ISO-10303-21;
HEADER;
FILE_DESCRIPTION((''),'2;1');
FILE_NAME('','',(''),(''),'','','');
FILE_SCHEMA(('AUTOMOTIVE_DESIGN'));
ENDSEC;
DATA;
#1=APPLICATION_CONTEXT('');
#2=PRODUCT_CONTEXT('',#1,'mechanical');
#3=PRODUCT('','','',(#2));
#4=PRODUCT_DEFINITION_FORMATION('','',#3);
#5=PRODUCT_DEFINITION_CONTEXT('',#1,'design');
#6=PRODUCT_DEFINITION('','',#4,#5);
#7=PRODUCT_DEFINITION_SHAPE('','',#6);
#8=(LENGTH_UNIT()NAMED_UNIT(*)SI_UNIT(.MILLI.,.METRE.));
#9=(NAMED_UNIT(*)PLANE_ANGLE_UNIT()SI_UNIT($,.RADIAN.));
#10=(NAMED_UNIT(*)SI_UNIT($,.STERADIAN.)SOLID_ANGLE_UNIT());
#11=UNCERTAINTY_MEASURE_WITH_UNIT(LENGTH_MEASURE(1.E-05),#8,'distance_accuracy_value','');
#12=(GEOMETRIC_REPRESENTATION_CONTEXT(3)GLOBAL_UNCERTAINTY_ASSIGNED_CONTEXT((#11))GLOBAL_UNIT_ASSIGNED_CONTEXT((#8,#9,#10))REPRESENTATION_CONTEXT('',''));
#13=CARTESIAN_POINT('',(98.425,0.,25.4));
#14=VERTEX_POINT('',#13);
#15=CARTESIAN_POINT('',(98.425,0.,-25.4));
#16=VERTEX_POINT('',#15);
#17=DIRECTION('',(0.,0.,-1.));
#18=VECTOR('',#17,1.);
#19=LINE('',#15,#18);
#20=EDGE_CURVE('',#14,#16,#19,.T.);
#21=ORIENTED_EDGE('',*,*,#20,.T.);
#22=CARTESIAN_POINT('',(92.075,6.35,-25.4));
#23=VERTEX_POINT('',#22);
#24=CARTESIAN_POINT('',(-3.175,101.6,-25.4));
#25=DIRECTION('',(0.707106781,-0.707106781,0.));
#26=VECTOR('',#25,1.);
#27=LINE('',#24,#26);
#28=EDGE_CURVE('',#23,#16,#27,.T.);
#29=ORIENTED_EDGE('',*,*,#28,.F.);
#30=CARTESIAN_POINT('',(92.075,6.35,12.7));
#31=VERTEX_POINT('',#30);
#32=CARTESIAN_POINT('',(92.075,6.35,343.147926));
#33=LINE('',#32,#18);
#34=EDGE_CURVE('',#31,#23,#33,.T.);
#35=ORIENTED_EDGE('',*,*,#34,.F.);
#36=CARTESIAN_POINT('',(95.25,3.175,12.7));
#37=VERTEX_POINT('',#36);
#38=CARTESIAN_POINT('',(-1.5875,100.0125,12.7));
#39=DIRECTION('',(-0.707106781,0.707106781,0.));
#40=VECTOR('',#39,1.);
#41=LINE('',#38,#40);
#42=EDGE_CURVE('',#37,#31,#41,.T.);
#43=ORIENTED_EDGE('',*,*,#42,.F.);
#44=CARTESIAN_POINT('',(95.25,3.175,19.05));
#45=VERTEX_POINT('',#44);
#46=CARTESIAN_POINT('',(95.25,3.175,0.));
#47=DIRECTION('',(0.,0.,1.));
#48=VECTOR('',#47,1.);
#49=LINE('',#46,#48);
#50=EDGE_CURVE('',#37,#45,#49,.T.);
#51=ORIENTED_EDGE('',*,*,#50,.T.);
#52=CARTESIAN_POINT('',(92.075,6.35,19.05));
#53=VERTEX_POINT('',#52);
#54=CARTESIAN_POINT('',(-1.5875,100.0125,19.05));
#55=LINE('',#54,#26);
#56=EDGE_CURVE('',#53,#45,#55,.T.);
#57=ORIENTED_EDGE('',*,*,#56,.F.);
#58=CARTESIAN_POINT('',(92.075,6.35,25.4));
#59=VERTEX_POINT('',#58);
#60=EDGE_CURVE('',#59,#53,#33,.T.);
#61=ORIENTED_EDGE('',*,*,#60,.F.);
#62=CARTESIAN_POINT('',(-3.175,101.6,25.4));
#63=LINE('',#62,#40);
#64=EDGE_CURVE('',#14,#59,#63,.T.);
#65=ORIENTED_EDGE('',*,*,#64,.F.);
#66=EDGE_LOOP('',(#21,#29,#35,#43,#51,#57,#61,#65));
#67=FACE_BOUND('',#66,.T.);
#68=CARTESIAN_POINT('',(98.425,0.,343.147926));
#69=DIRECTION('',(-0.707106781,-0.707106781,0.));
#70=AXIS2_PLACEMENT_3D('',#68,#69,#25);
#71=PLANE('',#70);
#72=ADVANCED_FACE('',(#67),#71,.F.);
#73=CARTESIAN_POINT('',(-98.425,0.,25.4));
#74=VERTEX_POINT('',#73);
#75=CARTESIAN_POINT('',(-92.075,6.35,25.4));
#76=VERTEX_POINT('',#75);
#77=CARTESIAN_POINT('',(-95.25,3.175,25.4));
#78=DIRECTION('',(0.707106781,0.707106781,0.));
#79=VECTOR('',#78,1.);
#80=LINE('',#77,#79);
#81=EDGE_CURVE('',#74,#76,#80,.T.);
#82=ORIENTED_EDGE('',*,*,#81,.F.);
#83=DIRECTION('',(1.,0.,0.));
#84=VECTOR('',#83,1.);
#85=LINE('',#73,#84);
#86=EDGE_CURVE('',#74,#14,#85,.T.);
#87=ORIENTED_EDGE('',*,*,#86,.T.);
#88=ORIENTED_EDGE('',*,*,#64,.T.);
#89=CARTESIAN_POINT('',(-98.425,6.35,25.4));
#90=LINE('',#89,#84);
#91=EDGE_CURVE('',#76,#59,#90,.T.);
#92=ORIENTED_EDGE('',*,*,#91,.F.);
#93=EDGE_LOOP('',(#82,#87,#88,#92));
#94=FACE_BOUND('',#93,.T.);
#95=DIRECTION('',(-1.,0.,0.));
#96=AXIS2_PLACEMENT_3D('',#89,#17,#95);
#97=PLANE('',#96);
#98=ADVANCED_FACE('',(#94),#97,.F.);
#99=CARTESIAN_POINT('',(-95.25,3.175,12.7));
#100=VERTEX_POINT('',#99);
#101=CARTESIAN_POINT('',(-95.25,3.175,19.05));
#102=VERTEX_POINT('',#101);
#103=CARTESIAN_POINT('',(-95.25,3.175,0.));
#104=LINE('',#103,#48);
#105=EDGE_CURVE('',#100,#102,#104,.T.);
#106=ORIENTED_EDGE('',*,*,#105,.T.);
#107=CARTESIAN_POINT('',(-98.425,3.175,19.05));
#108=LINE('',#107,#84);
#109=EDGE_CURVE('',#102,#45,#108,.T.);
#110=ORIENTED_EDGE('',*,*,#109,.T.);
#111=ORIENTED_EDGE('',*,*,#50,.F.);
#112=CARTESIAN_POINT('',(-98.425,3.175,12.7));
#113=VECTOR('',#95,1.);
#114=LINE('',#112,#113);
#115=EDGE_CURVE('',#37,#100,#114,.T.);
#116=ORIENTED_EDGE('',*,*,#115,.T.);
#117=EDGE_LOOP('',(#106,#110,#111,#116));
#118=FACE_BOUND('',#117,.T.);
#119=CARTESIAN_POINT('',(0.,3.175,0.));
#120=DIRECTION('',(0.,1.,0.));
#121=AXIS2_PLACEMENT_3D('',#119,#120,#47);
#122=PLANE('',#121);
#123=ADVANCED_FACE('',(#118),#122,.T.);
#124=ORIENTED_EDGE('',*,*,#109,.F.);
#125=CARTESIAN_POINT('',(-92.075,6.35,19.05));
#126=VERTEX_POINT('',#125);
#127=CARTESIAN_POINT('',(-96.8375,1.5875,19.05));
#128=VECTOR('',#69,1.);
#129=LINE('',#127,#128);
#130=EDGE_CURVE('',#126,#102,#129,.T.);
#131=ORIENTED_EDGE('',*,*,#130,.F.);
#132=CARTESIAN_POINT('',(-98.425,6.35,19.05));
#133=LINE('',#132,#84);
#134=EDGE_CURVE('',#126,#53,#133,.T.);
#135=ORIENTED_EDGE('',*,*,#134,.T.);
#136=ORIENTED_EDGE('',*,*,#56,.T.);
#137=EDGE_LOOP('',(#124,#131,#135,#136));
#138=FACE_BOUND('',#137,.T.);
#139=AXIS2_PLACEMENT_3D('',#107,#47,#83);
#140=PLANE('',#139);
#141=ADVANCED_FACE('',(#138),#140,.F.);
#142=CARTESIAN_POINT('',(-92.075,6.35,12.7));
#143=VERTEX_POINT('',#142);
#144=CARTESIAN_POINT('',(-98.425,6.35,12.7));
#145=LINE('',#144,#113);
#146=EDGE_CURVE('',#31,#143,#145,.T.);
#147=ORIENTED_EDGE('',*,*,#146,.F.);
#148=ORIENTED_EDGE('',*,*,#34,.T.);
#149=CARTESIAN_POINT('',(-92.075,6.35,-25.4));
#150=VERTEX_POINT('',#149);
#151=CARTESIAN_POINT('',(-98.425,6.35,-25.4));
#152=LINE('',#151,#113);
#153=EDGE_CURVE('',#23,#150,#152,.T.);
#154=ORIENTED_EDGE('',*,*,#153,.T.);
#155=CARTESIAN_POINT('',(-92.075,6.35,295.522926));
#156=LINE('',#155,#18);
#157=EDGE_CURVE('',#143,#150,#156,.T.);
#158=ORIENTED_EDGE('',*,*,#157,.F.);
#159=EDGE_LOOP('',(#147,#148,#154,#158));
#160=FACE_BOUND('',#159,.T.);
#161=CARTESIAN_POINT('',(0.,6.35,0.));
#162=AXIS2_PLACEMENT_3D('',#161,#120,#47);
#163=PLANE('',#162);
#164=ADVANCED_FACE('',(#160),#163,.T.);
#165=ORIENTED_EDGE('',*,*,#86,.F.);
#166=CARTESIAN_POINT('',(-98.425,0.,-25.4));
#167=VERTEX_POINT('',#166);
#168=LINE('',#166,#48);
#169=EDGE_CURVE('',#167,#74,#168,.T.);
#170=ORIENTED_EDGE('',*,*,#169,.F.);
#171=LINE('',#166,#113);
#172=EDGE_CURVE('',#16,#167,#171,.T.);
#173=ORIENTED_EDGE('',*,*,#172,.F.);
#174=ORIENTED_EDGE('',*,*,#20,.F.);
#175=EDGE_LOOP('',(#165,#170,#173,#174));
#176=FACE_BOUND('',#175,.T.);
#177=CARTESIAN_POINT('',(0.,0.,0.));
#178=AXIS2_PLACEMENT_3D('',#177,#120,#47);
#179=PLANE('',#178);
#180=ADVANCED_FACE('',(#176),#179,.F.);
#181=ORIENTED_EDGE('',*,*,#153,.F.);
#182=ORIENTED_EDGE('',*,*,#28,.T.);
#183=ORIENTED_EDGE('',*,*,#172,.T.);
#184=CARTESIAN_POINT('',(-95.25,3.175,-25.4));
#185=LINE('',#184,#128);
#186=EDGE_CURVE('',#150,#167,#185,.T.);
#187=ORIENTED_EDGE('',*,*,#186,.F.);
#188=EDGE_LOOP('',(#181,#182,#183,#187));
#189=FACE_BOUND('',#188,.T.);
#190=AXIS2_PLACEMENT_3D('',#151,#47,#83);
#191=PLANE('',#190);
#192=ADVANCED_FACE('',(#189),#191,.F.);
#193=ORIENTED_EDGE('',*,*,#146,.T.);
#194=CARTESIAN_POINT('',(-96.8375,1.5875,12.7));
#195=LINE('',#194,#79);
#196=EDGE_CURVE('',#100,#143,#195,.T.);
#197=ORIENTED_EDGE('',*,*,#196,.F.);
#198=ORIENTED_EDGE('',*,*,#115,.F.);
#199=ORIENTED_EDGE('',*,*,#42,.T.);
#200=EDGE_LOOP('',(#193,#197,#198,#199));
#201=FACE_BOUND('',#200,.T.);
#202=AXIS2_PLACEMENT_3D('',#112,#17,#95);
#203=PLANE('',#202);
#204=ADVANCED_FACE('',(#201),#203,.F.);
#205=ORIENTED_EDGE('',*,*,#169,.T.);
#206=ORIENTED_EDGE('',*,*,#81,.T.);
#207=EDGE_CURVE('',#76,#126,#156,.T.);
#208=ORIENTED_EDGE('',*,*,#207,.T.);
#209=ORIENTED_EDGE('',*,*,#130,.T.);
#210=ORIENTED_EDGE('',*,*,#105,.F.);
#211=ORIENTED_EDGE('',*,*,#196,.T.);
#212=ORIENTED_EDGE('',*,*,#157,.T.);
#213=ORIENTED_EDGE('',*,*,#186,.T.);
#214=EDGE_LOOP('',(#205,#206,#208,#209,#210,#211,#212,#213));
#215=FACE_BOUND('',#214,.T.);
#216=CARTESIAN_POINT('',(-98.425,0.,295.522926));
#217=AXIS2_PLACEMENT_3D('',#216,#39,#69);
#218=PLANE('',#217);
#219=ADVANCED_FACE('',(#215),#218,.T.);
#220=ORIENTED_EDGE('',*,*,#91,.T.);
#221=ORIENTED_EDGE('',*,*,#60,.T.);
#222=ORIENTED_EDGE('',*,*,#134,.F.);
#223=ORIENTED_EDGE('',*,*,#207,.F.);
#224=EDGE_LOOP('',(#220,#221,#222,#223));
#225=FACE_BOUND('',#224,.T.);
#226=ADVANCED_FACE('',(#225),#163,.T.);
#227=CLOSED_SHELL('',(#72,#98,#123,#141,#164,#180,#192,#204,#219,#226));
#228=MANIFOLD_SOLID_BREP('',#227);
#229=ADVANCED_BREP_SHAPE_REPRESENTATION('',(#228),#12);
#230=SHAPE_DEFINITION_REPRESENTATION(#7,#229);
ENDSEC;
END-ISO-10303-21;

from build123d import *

# Parameters (mm, degrees)
SKETCH1_W               = 196.85
SKETCH1_H               = 50.8
BOSS_EXTRUDE1_DEPTH     = 6.35
SKETCH4_W               = 196.85
SKETCH4_H               = 6.35
CUT_EXTRUDE3_DEPTH      = 3.175
CUT_EXTRUDE1_DEPTH      = 1
CUT_EXTRUDE1_DEPTH_BACK = 51.8
CUT_EXTRUDE2_DEPTH      = 1
CUT_EXTRUDE2_DEPTH_BACK = 51.8


with BuildPart() as part:
    # Sketch1 → Boss-Extrude1 (new body)
    with BuildSketch(Plane(origin=(0, 0, 0), x_dir=(1, 0, 0), z_dir=(0, 1, 0))):
        Rectangle(SKETCH1_W, SKETCH1_H)
    extrude(amount=BOSS_EXTRUDE1_DEPTH)

    # Sketch4 → Cut-Extrude3 (cut)
    with BuildSketch(Plane(origin=(0, 6.35, 0), x_dir=(1, 0, 0), z_dir=(0, 1, 0))):
        with Locations((0, -15.875)):
            Rectangle(SKETCH4_W, SKETCH4_H)
    extrude(amount=-CUT_EXTRUDE3_DEPTH, mode=Mode.SUBTRACT)

    # Sketch2 → Cut-Extrude1 (cut, two sides)
    with BuildSketch(Plane.XY.offset(25.4)) as cut_extrude1_sk:
        Polygon((-384.028812745, -285.603812745), (-98.425, 0), (-92.075, 6.35), (193.528812745, 291.953812745), (-377.678812745, 863.161438235), (-955.236438235, 285.603812745), align=None)
    extrude(amount=CUT_EXTRUDE1_DEPTH, mode=Mode.SUBTRACT)
    extrude(cut_extrude1_sk.sketch, amount=-CUT_EXTRUDE1_DEPTH_BACK, mode=Mode.SUBTRACT)

    # Sketch3 → Cut-Extrude2 (cut, two sides)
    with BuildSketch(Plane.XY.offset(25.4)) as cut_extrude2_sk:
        Polygon((384.028812745, -285.603812745), (98.425, 0), (92.075, 6.35), (-193.528812745, 291.953812745), (377.678812745, 863.161438235), (955.236438235, 285.603812745), align=None)
    extrude(amount=CUT_EXTRUDE2_DEPTH, mode=Mode.SUBTRACT)
    extrude(cut_extrude2_sk.sketch, amount=-CUT_EXTRUDE2_DEPTH_BACK, mode=Mode.SUBTRACT)


solid = part.part
